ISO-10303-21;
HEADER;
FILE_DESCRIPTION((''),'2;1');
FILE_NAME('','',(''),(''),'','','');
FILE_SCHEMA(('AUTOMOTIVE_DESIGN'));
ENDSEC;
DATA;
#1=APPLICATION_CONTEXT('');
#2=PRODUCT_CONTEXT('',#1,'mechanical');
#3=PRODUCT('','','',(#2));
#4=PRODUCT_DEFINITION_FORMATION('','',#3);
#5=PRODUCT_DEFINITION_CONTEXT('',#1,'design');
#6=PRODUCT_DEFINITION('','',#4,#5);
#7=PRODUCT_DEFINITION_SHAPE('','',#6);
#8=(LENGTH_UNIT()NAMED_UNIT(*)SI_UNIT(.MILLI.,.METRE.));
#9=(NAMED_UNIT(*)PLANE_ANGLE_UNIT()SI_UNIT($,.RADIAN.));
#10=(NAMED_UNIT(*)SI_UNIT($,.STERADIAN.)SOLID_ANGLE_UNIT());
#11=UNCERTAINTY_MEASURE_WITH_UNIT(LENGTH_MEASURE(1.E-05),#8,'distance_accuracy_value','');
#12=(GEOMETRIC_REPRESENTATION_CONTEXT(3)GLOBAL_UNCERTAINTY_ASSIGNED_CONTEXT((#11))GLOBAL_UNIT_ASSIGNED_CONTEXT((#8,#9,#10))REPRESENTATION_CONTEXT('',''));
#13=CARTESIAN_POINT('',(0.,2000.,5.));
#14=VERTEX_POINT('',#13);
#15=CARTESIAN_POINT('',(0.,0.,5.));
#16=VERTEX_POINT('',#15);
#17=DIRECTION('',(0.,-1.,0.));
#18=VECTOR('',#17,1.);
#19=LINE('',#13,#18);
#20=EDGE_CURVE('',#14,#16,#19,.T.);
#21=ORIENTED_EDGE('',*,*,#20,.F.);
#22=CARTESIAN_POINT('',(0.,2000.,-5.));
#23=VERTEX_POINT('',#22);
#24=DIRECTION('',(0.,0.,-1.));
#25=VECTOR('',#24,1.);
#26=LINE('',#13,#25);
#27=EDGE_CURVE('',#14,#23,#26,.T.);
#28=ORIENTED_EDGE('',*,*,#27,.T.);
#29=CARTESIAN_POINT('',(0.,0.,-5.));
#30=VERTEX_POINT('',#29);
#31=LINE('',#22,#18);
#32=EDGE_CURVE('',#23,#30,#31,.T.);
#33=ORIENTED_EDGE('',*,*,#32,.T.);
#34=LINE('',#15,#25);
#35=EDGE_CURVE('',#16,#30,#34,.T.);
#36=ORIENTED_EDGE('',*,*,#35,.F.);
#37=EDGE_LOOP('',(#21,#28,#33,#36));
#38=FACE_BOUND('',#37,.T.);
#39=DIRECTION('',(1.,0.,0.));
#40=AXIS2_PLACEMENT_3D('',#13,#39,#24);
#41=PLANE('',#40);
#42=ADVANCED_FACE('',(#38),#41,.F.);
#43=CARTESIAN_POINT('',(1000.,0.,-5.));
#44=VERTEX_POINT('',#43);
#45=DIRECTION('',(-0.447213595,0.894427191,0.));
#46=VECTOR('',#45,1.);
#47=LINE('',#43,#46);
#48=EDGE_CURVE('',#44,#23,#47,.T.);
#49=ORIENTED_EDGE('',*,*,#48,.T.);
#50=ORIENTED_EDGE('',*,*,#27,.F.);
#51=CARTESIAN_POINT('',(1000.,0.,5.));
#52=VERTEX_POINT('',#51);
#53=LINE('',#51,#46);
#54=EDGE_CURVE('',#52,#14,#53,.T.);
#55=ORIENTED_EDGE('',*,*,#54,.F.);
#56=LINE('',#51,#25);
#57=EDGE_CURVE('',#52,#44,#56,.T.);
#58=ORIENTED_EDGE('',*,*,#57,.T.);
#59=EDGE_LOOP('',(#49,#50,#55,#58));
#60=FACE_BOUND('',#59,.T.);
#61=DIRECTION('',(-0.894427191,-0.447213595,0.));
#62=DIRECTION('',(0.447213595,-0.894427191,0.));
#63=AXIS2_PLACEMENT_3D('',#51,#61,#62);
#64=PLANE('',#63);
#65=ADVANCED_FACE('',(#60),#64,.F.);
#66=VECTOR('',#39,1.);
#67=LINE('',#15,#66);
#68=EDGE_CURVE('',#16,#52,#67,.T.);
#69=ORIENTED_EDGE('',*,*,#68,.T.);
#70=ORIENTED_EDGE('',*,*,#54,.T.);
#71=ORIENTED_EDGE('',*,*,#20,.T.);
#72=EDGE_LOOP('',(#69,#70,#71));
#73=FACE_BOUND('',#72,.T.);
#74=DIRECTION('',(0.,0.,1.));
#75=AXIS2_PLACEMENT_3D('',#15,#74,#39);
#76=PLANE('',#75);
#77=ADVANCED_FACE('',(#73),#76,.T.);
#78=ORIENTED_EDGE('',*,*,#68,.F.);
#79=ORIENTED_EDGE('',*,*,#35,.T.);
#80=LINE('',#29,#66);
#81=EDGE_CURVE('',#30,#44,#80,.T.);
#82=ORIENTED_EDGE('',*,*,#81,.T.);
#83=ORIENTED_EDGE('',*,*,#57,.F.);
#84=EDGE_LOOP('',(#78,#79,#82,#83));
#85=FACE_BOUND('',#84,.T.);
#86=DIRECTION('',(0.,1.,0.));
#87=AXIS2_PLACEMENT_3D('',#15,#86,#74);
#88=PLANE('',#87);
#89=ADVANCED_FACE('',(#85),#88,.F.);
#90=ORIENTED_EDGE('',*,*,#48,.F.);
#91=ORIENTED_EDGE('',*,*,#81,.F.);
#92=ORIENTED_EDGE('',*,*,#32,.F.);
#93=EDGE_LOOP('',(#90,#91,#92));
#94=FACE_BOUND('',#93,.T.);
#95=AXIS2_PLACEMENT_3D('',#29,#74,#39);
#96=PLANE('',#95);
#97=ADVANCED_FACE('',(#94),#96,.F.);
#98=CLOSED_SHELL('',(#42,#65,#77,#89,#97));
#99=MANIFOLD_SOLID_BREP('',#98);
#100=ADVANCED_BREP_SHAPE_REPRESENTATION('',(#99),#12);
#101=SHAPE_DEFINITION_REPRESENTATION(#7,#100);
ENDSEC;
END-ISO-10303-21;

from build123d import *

# Parameters (mm, degrees)
BOSS_EXTRUDE2_DEPTH = 5


with BuildPart() as part:
    # Sketch2 → Boss-Extrude2 (new body, symmetric)
    with BuildSketch(Plane.XY):
        Polygon((0, 0), (1000, 0), (0, 2000), align=None)
    extrude(amount=BOSS_EXTRUDE2_DEPTH, both=True)


solid = part.part
